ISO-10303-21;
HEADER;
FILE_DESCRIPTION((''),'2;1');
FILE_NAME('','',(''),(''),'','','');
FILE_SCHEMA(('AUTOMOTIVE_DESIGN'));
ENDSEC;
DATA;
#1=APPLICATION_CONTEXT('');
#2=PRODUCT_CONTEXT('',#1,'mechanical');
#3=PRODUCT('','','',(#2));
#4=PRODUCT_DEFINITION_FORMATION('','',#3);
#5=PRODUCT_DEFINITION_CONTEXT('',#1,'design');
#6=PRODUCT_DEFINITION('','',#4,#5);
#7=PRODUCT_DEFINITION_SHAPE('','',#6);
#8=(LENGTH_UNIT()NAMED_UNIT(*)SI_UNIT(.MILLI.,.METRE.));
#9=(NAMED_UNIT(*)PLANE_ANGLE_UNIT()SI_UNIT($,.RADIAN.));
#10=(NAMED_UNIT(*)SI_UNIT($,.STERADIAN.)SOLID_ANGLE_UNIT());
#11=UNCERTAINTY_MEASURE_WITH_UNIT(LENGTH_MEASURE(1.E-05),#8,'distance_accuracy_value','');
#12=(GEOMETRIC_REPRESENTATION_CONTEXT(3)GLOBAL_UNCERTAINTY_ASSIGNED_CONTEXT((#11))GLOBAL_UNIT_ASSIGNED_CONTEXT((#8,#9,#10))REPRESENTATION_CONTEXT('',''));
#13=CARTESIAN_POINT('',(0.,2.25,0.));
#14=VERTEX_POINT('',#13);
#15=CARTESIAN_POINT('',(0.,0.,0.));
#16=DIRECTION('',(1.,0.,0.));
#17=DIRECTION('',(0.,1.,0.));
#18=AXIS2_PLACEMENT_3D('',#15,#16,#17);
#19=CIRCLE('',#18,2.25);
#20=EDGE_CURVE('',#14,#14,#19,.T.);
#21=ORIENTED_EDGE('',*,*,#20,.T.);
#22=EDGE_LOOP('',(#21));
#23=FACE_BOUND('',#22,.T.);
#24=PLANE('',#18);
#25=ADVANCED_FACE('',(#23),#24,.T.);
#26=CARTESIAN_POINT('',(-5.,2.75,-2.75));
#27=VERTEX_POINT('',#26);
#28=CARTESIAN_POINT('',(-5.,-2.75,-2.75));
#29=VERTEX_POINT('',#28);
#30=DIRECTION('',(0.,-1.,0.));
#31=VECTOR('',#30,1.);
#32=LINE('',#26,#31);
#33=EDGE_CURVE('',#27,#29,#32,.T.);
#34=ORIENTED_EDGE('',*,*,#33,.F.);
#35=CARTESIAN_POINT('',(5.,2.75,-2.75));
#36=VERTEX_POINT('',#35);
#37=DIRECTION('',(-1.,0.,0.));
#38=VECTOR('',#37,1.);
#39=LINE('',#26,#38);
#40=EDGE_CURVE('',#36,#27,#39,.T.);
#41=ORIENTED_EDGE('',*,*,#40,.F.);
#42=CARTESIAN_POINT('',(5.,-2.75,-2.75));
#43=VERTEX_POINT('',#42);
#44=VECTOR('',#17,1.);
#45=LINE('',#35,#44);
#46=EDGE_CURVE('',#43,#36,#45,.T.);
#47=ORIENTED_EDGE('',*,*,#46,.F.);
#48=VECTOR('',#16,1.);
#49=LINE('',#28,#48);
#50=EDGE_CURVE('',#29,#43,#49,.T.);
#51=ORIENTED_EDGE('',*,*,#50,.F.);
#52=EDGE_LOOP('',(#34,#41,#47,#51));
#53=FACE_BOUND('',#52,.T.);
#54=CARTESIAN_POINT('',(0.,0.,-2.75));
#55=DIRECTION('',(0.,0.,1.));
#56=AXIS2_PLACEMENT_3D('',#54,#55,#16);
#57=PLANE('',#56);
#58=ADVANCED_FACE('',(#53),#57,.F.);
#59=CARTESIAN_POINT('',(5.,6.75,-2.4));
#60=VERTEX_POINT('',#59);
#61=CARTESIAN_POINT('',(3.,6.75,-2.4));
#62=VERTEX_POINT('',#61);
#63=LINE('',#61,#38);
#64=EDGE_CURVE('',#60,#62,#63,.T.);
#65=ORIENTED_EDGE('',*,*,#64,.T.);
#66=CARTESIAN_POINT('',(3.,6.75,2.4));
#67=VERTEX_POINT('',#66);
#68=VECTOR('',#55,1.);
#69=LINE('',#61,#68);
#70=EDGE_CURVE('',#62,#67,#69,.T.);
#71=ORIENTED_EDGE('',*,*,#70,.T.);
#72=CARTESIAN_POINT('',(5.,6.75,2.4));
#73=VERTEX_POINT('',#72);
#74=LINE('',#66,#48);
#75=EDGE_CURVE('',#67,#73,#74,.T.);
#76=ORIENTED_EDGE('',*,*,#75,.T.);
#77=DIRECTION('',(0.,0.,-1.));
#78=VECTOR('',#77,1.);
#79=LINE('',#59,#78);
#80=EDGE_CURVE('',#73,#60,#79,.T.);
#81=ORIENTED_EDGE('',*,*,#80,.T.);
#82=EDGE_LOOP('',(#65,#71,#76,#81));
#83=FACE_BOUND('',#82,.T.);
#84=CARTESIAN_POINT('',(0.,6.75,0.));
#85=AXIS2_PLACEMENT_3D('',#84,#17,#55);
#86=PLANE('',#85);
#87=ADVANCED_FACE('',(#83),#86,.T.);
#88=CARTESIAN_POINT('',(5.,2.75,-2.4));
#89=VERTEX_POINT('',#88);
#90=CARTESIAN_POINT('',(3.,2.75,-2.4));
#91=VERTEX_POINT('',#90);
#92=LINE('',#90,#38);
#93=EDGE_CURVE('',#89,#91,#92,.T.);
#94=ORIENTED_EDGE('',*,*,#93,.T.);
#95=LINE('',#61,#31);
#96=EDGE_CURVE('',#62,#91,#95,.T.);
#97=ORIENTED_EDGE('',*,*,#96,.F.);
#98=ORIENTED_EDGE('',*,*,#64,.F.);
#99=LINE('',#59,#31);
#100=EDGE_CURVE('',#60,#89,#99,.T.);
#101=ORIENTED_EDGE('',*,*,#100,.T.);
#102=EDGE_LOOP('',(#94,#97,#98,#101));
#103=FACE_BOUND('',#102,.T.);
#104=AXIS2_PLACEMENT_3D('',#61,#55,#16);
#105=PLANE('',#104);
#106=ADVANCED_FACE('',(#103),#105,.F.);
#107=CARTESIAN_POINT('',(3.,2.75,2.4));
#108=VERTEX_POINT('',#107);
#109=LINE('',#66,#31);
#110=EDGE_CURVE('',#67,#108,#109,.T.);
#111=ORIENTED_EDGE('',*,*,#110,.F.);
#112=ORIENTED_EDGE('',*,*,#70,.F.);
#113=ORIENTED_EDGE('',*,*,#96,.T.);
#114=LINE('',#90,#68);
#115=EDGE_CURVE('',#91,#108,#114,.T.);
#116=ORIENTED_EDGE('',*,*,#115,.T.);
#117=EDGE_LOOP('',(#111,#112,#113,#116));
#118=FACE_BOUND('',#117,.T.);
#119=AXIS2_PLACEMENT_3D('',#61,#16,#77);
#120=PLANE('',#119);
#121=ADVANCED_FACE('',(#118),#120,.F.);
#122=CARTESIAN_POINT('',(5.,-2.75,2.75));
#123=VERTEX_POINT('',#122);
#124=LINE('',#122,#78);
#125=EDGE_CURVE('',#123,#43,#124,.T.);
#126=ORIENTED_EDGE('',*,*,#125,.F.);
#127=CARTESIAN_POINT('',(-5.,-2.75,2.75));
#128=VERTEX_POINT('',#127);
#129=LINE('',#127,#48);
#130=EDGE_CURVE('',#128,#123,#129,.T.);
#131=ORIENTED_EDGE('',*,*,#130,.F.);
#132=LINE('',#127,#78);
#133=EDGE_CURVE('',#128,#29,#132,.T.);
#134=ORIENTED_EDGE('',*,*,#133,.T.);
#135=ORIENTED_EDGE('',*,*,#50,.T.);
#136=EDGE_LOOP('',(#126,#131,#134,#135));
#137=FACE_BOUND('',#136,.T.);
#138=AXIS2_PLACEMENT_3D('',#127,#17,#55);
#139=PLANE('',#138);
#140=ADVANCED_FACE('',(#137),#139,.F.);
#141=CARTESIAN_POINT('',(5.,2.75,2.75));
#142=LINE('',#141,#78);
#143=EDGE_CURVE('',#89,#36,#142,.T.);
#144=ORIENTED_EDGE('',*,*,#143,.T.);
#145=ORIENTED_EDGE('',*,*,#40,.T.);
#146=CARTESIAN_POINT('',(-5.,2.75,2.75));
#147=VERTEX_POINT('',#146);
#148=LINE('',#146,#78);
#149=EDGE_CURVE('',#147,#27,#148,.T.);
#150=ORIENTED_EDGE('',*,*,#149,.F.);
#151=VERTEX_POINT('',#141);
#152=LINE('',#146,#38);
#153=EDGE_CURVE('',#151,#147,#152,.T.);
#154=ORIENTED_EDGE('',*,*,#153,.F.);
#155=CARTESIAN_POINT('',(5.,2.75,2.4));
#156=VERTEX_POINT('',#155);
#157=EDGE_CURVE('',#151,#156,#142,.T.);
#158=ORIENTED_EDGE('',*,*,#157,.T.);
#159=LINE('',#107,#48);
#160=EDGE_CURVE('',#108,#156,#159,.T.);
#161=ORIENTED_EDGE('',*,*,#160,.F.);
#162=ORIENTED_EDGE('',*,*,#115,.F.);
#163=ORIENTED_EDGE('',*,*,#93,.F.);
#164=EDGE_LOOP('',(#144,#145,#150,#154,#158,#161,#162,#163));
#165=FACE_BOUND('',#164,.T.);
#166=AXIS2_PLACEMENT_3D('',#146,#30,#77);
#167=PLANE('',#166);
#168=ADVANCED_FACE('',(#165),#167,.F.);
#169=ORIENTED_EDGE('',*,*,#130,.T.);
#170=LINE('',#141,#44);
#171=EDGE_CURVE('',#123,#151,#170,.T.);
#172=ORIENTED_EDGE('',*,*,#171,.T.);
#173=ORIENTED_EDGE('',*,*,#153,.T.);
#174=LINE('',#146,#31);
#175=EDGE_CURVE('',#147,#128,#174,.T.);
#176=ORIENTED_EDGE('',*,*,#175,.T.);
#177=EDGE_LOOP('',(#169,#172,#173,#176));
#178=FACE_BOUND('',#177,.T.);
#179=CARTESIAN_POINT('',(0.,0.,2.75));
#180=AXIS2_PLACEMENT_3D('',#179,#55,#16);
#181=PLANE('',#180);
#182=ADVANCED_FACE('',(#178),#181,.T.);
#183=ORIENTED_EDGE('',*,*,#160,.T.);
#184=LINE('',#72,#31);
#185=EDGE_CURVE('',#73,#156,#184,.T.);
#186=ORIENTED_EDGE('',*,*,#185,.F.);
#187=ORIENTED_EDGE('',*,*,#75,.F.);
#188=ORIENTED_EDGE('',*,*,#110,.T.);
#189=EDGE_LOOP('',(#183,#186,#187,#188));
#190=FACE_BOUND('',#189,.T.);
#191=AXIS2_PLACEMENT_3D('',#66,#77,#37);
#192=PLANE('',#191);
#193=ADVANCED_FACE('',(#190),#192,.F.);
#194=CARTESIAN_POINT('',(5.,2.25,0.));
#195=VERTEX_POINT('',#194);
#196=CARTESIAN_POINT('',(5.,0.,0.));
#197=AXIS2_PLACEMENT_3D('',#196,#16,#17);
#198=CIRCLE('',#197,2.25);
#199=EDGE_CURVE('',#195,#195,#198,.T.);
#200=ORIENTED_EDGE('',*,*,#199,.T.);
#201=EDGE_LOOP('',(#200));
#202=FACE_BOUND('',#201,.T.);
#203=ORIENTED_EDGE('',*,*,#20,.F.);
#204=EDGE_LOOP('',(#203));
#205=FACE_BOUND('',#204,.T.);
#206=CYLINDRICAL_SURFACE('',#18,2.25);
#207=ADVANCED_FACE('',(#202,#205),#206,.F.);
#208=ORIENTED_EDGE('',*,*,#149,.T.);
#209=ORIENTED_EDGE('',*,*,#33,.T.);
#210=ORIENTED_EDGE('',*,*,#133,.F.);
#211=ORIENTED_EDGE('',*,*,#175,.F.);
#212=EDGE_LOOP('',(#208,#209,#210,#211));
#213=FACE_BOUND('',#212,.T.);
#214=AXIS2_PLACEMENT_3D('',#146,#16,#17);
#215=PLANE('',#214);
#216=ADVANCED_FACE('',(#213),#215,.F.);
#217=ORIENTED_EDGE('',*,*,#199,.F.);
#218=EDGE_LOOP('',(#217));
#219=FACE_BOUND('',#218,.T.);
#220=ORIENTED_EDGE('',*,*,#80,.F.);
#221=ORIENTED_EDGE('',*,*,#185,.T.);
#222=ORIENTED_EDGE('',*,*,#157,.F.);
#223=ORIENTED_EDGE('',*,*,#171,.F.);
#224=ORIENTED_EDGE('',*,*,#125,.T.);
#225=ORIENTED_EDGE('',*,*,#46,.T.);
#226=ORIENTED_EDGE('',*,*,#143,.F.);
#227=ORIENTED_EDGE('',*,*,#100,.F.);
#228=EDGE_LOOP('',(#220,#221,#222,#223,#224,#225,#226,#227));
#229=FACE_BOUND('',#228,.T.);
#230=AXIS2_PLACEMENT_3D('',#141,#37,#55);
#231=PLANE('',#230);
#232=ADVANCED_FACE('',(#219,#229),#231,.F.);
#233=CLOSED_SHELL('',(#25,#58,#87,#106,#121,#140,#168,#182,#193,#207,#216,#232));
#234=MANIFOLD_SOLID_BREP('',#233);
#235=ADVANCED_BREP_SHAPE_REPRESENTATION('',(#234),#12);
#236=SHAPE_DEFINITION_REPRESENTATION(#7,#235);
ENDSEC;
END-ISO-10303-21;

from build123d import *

# Parameters (mm, degrees)
SKETCH2_W           = 10
SKETCH2_H           = 5.5
BOSS_EXTRUDE1_DEPTH = 2.75
SKETCH3_R           = 2.25
CUT_EXTRUDE1_DEPTH  = 5
SKETCH4_W           = 2
SKETCH4_H           = 4.8
BOSS_EXTRUDE2_DEPTH = 4


with BuildPart() as part:
    # Sketch2 → Boss-Extrude1 (new, symmetric)
    with BuildSketch(Plane.XY):
        Rectangle(SKETCH2_W, SKETCH2_H)
    extrude(amount=BOSS_EXTRUDE1_DEPTH, both=True)

    # Sketch3 → Cut-Extrude1 (cut)
    with BuildSketch(Plane(origin=(5, 0, 0), x_dir=(0, 0, -1), z_dir=(1, 0, 0))):
        with Locations(Location((0, 0, 0), (0, 0, 90))):
            Circle(SKETCH3_R)
    extrude(amount=-CUT_EXTRUDE1_DEPTH, mode=Mode.SUBTRACT)

    # Sketch4 → Boss-Extrude2 (add)
    with BuildSketch(Plane(origin=(0, 2.75, 0), x_dir=(1, 0, 0), z_dir=(0, 1, 0))):
        with Locations((4, 0)):
            Rectangle(SKETCH4_W, SKETCH4_H)
    extrude(amount=BOSS_EXTRUDE2_DEPTH)


solid = part.part
